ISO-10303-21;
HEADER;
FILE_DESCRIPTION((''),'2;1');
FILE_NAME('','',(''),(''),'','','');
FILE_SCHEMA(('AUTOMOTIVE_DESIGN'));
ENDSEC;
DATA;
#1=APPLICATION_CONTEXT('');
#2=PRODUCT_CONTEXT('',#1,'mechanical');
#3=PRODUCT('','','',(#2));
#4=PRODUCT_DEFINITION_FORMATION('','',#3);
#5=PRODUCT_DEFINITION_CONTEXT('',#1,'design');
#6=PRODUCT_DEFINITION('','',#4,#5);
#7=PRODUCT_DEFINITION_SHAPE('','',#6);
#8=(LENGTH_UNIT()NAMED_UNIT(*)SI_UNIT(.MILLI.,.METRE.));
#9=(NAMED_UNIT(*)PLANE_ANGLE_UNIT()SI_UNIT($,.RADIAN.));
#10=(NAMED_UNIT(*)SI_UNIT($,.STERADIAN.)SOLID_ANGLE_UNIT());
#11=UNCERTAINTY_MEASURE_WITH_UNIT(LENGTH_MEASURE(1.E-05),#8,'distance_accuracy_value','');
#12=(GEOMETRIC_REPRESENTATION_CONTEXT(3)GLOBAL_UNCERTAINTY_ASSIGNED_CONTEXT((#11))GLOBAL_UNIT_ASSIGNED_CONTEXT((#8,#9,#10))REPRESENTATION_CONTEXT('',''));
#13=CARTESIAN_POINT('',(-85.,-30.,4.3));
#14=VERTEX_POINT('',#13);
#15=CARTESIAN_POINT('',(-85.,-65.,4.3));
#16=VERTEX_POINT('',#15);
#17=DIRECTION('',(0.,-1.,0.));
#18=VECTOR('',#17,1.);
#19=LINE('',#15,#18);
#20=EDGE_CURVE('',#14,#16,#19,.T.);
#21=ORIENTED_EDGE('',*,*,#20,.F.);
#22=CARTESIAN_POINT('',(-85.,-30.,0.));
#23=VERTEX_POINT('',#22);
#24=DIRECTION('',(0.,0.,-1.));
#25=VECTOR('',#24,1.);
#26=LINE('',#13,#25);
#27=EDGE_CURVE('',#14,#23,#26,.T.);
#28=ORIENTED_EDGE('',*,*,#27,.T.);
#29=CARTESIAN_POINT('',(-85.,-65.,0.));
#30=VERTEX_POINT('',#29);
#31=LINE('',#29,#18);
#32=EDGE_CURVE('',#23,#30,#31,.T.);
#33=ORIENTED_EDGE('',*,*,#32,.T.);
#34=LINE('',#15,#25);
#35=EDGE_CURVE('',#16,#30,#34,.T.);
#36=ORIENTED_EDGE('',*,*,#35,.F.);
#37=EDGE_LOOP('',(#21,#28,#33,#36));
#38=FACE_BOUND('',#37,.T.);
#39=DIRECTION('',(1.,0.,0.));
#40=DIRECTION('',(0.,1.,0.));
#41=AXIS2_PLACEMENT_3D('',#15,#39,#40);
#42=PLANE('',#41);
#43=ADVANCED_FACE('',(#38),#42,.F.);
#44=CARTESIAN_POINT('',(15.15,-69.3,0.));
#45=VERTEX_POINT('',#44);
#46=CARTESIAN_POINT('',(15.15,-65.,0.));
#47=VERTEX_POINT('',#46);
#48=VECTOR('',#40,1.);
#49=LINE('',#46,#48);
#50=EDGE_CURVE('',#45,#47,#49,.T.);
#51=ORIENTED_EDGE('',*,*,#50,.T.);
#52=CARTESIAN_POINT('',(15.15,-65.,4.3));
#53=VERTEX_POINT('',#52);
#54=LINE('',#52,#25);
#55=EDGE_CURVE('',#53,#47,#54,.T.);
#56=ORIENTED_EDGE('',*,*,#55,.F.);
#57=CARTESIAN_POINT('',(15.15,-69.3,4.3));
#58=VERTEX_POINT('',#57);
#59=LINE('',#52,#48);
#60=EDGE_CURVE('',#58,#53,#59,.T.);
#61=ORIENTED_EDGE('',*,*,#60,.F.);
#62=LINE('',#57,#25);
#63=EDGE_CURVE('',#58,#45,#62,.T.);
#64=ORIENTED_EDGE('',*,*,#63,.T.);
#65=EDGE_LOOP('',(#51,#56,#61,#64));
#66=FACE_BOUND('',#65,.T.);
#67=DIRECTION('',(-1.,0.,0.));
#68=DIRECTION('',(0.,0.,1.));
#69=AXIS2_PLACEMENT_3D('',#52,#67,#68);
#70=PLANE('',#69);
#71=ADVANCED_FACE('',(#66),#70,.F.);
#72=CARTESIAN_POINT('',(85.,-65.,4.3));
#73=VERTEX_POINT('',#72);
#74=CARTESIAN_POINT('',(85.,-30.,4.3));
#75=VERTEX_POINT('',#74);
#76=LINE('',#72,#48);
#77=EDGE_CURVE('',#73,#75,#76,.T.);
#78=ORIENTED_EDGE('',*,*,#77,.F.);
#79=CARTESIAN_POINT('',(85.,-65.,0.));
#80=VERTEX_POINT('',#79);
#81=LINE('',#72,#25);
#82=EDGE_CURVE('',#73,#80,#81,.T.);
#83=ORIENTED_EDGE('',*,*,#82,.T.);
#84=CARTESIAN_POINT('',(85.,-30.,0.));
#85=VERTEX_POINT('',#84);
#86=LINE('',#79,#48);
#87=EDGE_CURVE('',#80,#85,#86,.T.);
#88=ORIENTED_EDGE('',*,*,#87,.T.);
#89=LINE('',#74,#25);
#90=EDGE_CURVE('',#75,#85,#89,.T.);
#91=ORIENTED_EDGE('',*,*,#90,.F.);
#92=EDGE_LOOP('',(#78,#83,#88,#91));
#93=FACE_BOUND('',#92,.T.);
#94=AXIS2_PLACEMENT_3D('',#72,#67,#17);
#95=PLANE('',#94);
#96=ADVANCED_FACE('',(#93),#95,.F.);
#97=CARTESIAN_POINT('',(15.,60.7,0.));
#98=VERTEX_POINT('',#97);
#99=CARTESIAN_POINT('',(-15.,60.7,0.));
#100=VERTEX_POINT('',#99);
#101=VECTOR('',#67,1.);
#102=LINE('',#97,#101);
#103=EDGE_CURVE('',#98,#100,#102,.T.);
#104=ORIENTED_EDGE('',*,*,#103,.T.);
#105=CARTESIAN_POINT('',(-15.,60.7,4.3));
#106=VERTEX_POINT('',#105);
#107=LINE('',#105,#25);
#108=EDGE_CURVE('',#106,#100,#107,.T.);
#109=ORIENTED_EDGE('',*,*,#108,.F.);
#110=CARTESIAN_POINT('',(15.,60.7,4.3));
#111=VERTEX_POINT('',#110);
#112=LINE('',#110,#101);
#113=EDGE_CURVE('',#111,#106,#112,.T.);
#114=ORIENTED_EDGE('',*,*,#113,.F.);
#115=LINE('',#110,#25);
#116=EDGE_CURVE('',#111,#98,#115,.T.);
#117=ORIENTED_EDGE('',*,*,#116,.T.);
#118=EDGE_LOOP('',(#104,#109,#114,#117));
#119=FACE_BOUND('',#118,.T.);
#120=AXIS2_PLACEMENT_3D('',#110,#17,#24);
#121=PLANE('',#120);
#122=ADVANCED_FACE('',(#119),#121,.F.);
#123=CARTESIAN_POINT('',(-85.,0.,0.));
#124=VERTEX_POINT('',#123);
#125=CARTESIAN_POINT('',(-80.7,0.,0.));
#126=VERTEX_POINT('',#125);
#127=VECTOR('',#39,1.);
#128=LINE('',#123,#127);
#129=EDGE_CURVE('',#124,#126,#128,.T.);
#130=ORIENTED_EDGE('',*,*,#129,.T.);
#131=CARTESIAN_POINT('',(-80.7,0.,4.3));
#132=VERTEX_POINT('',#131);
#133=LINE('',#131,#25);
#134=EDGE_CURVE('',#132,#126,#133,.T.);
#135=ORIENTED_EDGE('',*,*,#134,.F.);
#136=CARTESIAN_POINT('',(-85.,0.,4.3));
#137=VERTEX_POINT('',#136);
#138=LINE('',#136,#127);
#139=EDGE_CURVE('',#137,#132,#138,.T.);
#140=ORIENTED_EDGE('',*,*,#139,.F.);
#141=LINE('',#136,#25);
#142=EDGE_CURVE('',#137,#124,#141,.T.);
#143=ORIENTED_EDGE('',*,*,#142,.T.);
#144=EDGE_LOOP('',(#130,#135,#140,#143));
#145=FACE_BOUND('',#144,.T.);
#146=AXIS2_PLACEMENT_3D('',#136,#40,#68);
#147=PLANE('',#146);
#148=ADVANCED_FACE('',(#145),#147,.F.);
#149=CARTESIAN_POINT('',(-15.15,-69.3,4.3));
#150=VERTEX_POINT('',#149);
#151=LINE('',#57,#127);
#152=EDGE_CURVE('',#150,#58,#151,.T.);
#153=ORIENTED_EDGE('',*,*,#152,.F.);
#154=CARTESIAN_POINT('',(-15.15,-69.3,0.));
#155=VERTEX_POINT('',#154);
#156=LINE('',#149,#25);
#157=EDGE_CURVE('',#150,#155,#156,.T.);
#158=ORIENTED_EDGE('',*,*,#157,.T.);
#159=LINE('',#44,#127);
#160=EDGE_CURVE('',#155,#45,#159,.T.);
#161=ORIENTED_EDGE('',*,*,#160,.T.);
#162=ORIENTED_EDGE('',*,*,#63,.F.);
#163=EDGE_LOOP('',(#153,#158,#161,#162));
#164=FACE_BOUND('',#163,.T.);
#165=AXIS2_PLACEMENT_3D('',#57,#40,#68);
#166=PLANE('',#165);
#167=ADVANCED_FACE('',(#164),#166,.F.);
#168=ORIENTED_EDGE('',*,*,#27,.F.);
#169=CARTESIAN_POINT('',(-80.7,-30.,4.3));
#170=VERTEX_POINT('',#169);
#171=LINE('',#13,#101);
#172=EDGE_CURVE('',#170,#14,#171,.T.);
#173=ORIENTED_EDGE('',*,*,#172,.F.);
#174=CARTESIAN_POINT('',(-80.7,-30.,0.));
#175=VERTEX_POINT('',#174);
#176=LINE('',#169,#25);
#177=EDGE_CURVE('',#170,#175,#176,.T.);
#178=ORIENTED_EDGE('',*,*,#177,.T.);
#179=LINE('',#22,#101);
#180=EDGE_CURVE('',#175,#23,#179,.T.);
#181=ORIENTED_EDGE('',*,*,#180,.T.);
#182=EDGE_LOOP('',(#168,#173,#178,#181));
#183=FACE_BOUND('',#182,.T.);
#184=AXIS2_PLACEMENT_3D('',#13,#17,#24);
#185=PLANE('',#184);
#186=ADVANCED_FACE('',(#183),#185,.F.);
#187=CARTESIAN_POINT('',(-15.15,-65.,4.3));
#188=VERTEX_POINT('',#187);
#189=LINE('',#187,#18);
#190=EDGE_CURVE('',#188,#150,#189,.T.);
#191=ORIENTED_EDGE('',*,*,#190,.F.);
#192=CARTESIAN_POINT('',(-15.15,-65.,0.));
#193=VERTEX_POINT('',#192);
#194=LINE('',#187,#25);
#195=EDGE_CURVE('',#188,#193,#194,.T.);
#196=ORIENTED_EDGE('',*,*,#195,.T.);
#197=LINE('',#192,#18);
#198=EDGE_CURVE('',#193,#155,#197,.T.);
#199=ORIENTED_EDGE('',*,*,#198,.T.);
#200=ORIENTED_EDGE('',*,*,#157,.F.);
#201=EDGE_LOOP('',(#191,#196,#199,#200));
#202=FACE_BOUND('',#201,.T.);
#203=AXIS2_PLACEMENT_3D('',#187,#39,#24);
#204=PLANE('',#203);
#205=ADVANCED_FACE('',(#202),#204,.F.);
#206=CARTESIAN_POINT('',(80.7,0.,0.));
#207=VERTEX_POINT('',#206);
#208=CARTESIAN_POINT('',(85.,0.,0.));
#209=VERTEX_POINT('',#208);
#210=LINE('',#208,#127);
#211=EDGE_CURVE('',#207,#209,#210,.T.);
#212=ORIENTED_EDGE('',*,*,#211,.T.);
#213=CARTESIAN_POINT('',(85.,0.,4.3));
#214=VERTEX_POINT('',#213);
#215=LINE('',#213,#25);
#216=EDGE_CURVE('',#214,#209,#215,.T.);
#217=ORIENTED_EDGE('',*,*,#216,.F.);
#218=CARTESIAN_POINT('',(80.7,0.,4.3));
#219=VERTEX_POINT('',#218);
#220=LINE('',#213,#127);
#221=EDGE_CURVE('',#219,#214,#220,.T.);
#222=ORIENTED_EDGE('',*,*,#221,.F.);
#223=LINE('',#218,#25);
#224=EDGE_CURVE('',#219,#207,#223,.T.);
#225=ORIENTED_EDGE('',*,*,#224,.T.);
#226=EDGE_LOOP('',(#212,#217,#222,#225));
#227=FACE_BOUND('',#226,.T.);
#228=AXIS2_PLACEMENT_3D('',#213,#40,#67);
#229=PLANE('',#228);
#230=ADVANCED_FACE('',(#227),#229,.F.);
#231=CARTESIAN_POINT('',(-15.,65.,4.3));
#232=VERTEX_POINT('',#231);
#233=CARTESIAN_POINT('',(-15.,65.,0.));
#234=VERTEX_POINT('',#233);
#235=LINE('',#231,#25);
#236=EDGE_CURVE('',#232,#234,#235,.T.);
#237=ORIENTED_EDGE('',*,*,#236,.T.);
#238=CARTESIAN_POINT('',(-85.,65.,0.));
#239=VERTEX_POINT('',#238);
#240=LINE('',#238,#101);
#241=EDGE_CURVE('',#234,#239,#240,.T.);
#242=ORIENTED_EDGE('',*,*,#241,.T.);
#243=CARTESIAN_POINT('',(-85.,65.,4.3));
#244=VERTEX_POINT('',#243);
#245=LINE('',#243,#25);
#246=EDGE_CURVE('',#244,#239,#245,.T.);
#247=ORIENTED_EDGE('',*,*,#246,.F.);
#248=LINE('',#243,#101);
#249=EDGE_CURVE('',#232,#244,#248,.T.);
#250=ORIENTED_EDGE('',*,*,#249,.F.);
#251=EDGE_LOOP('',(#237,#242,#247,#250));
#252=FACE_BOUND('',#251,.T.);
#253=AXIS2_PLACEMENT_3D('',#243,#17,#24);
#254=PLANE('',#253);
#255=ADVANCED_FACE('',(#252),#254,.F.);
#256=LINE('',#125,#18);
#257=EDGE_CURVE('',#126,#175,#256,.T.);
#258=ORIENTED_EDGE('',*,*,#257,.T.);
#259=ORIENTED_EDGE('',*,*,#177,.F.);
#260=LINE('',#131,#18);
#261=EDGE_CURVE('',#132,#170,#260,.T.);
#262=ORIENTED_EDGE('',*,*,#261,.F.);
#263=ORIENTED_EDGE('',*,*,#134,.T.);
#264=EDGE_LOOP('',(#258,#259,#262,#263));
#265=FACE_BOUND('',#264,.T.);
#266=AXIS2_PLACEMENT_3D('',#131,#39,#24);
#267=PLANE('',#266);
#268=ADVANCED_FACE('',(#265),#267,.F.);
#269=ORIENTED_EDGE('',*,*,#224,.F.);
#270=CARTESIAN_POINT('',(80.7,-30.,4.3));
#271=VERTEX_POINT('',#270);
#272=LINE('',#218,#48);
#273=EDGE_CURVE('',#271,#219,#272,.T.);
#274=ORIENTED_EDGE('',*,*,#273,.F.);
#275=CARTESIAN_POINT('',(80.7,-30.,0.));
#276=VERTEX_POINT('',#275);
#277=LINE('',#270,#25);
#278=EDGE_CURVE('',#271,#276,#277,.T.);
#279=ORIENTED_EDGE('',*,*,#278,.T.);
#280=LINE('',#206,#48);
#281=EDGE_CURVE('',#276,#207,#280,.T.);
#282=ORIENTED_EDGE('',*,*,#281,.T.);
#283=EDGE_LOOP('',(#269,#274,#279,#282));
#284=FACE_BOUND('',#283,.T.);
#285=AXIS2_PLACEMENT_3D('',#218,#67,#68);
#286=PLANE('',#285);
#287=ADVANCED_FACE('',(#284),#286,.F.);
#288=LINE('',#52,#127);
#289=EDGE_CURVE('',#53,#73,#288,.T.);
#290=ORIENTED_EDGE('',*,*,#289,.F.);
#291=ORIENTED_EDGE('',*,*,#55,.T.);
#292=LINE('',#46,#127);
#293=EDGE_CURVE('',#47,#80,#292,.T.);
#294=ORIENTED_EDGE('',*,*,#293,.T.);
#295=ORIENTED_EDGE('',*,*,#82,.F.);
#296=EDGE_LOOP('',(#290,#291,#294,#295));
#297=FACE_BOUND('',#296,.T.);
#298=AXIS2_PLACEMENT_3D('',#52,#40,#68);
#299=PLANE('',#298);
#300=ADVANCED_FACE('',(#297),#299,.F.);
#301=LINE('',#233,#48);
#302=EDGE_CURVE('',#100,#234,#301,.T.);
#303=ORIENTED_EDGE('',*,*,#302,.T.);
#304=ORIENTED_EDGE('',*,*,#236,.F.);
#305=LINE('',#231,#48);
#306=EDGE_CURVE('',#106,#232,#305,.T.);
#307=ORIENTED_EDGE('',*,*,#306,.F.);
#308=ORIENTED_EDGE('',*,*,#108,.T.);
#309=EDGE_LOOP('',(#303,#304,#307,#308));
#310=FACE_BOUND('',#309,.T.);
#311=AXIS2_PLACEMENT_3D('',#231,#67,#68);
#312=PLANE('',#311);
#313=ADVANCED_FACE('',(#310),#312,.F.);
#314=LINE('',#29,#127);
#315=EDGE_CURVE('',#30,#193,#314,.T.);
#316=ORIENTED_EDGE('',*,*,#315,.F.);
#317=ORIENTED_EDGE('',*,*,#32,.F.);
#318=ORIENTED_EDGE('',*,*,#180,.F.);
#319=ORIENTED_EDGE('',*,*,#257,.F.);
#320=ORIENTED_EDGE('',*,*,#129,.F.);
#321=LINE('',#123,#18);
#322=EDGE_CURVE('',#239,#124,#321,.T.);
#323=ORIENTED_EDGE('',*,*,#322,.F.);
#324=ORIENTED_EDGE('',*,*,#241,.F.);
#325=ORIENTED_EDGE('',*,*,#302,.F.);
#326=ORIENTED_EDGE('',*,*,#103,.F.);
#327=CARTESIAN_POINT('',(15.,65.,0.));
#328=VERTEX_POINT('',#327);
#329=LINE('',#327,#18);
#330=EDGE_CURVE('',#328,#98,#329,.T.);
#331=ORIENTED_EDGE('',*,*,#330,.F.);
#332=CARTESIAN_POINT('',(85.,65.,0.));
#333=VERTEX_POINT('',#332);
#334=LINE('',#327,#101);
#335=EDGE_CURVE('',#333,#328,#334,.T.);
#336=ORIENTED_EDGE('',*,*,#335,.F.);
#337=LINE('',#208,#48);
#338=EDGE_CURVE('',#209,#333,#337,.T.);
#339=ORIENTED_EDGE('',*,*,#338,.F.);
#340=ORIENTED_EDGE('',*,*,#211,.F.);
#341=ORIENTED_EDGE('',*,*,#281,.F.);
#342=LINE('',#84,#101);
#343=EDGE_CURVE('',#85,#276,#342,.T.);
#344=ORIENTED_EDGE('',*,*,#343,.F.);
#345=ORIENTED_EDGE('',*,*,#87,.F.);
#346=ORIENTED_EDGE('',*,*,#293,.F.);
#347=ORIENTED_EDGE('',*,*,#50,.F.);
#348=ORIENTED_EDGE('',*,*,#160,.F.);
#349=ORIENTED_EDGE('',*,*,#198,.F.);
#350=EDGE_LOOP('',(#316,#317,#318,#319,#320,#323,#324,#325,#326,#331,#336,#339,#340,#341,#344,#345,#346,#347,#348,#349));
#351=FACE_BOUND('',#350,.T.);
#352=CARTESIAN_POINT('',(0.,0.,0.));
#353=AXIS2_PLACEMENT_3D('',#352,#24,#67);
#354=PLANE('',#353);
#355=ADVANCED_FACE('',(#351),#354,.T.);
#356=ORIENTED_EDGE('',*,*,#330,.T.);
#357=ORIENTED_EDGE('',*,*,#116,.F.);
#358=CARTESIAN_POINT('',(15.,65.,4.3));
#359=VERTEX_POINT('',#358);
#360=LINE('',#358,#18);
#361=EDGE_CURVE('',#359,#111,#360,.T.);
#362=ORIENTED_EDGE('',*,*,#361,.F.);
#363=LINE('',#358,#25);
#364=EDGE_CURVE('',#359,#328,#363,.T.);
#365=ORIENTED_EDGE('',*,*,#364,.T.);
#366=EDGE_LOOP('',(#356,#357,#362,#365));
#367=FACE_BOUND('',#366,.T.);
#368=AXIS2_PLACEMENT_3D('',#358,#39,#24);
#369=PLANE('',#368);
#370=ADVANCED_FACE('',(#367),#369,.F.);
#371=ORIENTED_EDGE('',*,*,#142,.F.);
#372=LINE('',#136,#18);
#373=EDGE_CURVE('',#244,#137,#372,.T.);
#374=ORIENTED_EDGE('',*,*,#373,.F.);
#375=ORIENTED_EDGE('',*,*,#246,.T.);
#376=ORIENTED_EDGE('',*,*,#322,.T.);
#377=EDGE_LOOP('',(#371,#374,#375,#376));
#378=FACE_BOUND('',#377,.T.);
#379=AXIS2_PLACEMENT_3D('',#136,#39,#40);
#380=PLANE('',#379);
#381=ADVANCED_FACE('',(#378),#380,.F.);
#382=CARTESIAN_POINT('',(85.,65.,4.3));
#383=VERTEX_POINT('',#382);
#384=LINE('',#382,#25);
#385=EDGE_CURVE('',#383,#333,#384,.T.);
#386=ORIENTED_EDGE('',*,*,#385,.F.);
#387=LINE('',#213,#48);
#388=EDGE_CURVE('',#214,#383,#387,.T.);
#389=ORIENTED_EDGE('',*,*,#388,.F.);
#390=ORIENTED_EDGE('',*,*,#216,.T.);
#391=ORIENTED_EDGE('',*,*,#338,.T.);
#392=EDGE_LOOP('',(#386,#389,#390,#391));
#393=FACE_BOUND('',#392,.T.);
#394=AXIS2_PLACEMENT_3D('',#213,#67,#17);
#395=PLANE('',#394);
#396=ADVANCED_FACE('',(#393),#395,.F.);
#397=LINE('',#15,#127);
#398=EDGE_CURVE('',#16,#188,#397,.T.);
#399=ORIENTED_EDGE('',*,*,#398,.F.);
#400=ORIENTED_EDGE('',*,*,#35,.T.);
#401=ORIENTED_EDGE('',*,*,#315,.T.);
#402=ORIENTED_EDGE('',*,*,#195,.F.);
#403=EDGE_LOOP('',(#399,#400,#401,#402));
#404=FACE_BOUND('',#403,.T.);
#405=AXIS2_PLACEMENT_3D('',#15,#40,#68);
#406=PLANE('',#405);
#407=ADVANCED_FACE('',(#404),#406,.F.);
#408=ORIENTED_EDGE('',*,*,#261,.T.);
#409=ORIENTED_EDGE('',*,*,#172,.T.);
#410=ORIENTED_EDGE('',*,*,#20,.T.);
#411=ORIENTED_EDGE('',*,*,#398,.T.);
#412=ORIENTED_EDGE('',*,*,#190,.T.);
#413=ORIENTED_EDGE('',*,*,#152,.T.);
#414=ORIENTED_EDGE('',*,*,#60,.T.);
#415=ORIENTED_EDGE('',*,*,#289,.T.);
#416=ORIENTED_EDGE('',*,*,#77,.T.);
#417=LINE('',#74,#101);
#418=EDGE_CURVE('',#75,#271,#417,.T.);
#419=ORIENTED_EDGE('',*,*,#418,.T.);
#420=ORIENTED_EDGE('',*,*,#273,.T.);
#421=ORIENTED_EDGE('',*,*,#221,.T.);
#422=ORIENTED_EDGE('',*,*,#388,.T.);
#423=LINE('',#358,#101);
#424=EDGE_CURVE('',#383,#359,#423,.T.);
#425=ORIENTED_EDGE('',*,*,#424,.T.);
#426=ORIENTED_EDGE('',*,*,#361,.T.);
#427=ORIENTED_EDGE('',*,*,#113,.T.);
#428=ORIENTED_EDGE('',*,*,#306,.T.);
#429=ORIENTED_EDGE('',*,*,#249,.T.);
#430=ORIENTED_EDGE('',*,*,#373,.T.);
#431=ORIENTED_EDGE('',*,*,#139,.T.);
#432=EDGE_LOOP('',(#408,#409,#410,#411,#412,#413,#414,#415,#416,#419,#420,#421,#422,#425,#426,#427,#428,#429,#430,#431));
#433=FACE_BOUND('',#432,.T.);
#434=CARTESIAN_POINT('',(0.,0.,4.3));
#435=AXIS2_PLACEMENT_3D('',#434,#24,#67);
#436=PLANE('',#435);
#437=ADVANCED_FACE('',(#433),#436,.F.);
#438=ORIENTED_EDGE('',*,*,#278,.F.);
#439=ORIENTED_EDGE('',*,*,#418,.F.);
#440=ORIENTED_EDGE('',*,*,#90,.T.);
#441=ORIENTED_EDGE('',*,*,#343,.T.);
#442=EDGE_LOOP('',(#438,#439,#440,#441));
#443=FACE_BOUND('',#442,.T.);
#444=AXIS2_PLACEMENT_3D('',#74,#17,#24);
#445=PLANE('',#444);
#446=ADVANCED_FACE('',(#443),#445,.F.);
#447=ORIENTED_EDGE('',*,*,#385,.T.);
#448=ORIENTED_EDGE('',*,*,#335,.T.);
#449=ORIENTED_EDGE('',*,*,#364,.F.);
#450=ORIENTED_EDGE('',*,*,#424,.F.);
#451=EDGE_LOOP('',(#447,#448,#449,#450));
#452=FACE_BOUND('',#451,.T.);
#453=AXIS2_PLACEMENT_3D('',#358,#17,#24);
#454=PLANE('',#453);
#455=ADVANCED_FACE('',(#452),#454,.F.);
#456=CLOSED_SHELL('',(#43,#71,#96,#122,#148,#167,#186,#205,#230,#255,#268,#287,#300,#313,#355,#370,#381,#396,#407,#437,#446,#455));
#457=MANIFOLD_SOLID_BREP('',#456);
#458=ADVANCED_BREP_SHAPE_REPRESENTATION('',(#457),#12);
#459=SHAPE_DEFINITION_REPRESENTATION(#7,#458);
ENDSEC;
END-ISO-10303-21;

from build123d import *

# Parameters (mm, degrees)
BOSS_EXTRUDE1_DEPTH = 4.3


with BuildPart() as part:
    # Sketch2 → Boss-Extrude1 (new body)
    with BuildSketch(Plane.XY):
        Polygon((15, 65), (85, 65), (85, 0), (80.7, 0), (80.7, -30), (85, -30), (85, -65), (15.15, -65), (15.15, -69.3), (-15.15, -69.3), (-15.15, -65), (-85, -65), (-85, -30), (-80.7, -30), (-80.7, 0), (-85, 0), (-85, 65), (-15, 65), (-15, 60.7), (15, 60.7), align=None)
    extrude(amount=BOSS_EXTRUDE1_DEPTH)


solid = part.part
